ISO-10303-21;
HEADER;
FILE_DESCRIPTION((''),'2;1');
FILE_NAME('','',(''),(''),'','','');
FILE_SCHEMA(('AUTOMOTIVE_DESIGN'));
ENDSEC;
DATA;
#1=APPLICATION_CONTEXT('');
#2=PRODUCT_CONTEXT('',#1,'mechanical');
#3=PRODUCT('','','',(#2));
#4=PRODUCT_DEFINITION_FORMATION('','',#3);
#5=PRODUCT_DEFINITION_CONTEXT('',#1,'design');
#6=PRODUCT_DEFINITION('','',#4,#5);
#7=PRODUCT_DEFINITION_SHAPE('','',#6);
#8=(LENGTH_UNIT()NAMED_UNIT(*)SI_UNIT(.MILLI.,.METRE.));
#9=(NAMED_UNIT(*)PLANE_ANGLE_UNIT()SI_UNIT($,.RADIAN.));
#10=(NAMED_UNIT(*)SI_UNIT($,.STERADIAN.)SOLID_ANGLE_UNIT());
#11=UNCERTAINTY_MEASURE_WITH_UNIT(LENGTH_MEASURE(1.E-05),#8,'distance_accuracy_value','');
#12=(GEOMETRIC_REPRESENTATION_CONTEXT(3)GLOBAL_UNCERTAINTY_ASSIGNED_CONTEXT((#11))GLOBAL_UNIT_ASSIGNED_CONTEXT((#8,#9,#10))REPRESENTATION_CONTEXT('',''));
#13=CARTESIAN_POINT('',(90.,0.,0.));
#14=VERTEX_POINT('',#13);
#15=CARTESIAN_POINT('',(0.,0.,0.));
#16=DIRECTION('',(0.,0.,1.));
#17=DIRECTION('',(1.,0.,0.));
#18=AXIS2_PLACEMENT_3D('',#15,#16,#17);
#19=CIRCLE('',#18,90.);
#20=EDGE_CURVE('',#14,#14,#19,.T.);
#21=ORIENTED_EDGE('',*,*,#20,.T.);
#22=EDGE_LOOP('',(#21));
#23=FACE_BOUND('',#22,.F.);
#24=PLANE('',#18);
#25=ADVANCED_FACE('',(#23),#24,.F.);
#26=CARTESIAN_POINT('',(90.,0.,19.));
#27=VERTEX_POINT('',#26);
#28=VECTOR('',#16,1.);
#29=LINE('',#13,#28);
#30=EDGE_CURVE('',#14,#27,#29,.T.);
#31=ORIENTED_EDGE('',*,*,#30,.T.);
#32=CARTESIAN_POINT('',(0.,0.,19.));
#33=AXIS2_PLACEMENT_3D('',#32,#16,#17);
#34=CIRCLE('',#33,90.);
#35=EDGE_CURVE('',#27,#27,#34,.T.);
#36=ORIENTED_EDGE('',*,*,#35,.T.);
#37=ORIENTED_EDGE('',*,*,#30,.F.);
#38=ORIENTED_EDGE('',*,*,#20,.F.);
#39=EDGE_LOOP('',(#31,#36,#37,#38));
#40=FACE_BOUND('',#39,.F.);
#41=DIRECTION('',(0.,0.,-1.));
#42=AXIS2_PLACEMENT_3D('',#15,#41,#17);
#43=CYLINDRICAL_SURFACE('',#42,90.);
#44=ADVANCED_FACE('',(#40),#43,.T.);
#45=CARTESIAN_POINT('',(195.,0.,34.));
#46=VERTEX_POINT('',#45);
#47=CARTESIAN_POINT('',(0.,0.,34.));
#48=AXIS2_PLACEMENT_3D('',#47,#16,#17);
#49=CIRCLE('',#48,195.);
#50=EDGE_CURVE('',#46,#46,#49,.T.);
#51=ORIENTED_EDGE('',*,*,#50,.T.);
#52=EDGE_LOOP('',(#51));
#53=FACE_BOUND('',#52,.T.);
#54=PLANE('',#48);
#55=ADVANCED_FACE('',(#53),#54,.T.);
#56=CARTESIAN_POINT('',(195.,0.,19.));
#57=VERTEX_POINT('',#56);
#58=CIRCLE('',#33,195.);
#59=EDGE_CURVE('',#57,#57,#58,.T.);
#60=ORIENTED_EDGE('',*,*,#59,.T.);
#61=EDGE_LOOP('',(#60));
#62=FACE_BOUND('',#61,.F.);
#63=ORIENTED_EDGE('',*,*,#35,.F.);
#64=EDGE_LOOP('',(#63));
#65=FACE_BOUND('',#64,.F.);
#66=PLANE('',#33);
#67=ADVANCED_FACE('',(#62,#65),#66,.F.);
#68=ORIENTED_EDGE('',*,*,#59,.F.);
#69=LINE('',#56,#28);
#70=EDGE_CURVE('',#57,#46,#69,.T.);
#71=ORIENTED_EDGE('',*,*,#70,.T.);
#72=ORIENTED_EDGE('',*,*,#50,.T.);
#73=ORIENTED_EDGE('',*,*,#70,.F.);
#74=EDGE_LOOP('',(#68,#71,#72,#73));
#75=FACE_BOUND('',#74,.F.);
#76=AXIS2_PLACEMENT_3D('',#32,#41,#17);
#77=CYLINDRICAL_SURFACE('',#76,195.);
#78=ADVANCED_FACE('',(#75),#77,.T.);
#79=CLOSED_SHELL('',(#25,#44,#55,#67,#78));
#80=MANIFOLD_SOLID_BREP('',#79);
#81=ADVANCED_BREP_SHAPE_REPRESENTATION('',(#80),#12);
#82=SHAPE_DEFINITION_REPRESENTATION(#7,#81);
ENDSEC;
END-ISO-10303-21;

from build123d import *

# Parameters (mm, degrees)
F2_R     = 90
F3_DEPTH = 34
F4_START = 19
F2_R_2   = 195
F4_DEPTH = 15


with BuildPart() as f3:
    # F2 (on Top) → F3 (new body)
    with BuildSketch(Plane.XY):
        Circle(F2_R)
    extrude(amount=F3_DEPTH)

    # F2 (on Top) → F4 (join)
    with BuildSketch(Plane.XY.offset(F4_START)):
        Circle(F2_R_2)
        Circle(F2_R, mode=Mode.SUBTRACT)
    extrude(amount=F4_DEPTH)


solid = f3.part
